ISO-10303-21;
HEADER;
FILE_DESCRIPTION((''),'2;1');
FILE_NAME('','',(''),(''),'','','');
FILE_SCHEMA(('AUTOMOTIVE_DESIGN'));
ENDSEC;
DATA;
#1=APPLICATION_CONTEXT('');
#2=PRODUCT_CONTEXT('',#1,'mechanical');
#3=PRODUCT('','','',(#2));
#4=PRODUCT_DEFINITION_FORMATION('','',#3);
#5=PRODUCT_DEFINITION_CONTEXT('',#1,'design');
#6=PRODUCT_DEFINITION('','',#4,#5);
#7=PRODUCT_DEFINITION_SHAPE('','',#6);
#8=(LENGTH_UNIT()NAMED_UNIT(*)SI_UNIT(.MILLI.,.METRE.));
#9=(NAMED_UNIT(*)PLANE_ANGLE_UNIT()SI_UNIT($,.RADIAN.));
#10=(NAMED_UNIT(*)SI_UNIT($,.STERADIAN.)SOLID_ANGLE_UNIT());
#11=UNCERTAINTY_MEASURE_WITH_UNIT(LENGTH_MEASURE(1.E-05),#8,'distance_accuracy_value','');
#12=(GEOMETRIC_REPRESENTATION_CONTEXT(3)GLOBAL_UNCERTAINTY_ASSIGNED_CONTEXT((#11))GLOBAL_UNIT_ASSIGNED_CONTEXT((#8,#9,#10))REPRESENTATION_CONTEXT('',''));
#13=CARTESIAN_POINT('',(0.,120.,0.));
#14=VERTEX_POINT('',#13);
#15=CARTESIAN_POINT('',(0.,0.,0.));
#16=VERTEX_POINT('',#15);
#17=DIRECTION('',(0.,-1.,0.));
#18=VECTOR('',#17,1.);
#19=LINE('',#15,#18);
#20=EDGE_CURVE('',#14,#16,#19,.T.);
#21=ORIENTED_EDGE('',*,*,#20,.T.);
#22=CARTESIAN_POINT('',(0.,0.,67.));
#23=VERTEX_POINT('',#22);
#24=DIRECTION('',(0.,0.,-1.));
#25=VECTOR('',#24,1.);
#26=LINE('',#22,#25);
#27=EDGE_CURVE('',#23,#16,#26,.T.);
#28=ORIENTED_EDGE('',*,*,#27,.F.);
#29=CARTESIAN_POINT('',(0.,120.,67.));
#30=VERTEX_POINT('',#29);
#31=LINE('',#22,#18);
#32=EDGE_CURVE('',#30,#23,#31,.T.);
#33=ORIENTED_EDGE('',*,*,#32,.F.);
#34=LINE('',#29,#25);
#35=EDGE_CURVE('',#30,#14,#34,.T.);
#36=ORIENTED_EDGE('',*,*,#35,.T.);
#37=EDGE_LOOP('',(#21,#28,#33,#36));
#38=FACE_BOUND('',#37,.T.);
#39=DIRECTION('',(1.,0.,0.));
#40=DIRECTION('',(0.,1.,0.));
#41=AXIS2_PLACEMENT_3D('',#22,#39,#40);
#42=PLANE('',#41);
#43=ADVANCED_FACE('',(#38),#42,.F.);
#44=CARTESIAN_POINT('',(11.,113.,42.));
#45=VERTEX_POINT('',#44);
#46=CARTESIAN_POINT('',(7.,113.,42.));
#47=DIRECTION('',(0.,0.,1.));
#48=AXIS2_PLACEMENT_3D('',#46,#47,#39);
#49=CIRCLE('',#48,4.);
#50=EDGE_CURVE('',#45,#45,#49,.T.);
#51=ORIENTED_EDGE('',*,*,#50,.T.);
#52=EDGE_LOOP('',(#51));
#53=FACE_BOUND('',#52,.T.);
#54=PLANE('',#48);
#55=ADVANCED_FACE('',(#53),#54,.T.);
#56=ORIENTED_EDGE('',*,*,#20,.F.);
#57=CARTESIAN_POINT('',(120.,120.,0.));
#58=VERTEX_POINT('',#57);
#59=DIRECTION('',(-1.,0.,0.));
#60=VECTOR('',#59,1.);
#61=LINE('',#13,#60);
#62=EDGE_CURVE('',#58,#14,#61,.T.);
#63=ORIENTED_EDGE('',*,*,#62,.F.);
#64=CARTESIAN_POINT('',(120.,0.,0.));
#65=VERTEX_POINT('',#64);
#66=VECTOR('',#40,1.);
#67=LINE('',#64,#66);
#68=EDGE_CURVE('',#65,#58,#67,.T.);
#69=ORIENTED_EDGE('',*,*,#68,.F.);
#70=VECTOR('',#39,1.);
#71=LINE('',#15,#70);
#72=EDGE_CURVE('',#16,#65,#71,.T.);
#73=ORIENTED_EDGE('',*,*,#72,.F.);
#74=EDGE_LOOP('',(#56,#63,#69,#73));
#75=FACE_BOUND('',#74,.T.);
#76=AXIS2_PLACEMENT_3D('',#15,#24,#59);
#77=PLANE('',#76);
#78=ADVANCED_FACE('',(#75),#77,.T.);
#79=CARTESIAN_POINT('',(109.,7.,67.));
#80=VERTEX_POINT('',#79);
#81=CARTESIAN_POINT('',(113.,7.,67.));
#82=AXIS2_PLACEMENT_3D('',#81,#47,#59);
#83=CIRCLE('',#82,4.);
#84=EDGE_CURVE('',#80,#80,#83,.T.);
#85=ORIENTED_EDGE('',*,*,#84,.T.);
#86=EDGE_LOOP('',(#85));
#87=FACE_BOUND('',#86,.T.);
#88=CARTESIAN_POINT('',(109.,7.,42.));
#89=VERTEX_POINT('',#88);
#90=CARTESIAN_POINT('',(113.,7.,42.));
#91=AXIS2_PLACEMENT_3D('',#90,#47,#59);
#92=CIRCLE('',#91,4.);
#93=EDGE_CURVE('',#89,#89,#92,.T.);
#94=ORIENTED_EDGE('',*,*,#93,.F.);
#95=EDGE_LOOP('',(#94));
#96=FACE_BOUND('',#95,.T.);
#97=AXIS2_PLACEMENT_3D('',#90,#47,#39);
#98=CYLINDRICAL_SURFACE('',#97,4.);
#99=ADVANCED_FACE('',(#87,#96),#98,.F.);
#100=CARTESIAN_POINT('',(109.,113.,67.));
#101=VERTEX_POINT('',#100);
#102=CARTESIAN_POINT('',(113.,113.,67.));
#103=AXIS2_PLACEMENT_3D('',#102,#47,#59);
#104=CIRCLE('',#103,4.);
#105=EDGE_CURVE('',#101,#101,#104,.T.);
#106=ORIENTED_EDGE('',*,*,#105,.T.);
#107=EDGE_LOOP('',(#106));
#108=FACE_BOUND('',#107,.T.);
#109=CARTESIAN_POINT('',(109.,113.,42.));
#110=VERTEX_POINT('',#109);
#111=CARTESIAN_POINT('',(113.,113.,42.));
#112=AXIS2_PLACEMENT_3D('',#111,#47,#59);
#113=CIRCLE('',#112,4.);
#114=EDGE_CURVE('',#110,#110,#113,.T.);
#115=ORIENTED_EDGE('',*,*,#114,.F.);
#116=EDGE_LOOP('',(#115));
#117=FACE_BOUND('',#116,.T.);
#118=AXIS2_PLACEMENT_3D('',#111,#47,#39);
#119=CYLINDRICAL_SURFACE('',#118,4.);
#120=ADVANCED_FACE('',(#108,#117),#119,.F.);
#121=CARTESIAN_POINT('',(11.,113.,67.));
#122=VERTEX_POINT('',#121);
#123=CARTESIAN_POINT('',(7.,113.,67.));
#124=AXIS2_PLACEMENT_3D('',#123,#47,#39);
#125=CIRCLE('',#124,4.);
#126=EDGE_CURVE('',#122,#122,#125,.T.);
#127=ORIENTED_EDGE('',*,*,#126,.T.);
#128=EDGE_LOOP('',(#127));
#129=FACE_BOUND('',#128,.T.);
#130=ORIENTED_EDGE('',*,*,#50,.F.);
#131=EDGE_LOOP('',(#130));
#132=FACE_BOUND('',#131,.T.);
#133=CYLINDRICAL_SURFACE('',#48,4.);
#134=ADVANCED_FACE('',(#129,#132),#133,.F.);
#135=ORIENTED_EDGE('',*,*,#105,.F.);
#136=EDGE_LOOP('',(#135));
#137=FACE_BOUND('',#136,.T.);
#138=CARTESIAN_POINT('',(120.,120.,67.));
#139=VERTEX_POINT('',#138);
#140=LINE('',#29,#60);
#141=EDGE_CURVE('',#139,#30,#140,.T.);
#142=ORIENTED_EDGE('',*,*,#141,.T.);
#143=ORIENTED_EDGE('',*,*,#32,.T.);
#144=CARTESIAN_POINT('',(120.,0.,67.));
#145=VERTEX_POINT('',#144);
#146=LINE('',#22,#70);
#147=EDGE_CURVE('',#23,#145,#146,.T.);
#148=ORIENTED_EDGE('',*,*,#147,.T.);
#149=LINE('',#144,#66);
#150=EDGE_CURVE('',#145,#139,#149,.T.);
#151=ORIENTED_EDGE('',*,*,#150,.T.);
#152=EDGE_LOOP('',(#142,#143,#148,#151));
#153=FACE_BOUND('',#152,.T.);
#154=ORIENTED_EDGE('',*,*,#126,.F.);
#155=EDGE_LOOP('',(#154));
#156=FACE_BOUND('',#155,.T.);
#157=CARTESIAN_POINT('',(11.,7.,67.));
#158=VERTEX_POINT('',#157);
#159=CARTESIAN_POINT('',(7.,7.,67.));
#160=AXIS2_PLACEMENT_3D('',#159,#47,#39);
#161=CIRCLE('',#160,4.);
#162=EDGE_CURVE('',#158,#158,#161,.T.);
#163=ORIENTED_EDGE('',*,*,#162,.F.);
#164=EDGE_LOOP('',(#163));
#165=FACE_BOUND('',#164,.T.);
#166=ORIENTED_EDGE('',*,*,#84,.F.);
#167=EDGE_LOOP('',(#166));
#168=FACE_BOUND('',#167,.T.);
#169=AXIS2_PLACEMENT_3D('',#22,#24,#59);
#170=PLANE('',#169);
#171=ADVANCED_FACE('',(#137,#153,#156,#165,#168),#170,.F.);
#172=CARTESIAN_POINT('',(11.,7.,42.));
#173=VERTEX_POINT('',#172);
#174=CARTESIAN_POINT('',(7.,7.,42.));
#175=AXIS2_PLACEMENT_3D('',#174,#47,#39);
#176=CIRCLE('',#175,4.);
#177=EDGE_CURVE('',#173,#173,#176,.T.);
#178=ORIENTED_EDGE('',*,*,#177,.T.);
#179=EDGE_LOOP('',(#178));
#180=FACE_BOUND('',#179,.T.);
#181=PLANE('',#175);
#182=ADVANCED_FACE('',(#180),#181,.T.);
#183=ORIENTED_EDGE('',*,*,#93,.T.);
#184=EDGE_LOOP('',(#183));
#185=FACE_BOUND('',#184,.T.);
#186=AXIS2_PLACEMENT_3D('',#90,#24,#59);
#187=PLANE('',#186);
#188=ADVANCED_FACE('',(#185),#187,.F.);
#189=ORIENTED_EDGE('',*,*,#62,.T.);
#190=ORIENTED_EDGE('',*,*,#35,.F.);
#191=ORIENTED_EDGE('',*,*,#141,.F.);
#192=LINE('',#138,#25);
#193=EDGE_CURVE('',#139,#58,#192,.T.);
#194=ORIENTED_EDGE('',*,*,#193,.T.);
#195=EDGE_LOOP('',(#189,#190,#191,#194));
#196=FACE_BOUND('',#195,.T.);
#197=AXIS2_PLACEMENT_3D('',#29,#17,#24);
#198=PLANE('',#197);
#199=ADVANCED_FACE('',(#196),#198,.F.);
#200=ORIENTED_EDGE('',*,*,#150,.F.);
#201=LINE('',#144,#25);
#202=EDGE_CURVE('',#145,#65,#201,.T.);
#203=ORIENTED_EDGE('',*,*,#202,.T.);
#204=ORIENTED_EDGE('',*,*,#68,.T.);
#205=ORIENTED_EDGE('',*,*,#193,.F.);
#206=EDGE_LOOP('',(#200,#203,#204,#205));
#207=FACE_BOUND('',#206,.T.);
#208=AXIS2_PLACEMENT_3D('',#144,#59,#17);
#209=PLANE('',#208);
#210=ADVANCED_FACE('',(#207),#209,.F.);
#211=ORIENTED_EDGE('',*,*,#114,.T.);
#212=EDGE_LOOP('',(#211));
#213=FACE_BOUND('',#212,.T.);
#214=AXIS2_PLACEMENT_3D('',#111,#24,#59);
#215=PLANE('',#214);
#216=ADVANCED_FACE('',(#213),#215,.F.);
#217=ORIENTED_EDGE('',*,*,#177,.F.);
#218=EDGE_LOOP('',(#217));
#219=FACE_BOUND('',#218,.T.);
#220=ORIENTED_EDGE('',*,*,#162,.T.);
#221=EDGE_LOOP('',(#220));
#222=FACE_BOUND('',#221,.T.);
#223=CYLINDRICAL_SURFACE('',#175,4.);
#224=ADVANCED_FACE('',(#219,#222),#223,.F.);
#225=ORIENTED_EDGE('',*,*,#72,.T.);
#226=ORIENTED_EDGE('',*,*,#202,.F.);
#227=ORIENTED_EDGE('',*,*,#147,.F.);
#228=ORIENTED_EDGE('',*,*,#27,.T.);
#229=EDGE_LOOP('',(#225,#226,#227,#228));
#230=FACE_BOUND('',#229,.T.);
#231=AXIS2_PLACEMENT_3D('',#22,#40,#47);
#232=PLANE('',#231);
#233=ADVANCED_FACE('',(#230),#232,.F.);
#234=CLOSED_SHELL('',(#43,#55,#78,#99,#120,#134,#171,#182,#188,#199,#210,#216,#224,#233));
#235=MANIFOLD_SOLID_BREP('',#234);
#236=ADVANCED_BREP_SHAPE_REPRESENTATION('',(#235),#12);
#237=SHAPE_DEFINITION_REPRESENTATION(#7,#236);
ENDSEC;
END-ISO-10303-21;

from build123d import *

# Parameters (mm, degrees)
SZKIC1_W                    = 120
SZKIC1_H                    = 120
DODANIE_WYCI_GNI_CIE1_DEPTH = 67
SZKIC5_R                    = 4
WYTNIJ_WYCI_GNI_CIE1_DEPTH  = 25


with BuildPart() as part:
    # Szkic1 → Dodanie-wyciągnięcie1 (new body)
    with BuildSketch(Plane.XY):
        with Locations((60, 60)):
            Rectangle(SZKIC1_W, SZKIC1_H)
    extrude(amount=DODANIE_WYCI_GNI_CIE1_DEPTH)

    # Szkic5 → Wytnij-wyciągnięcie1 (cut)
    with BuildSketch(Plane.XY.offset(67)):
        with Locations((7, 113)):
            Circle(SZKIC5_R)
        with Locations((7, 7)):
            Circle(SZKIC5_R)
        with Locations(Location((113, 113, 0), (0, 0, 180))):
            Circle(SZKIC5_R)
        with Locations(Location((113, 7, 0), (0, 0, 180))):
            Circle(SZKIC5_R)
    extrude(amount=-WYTNIJ_WYCI_GNI_CIE1_DEPTH, mode=Mode.SUBTRACT)


solid = part.part
